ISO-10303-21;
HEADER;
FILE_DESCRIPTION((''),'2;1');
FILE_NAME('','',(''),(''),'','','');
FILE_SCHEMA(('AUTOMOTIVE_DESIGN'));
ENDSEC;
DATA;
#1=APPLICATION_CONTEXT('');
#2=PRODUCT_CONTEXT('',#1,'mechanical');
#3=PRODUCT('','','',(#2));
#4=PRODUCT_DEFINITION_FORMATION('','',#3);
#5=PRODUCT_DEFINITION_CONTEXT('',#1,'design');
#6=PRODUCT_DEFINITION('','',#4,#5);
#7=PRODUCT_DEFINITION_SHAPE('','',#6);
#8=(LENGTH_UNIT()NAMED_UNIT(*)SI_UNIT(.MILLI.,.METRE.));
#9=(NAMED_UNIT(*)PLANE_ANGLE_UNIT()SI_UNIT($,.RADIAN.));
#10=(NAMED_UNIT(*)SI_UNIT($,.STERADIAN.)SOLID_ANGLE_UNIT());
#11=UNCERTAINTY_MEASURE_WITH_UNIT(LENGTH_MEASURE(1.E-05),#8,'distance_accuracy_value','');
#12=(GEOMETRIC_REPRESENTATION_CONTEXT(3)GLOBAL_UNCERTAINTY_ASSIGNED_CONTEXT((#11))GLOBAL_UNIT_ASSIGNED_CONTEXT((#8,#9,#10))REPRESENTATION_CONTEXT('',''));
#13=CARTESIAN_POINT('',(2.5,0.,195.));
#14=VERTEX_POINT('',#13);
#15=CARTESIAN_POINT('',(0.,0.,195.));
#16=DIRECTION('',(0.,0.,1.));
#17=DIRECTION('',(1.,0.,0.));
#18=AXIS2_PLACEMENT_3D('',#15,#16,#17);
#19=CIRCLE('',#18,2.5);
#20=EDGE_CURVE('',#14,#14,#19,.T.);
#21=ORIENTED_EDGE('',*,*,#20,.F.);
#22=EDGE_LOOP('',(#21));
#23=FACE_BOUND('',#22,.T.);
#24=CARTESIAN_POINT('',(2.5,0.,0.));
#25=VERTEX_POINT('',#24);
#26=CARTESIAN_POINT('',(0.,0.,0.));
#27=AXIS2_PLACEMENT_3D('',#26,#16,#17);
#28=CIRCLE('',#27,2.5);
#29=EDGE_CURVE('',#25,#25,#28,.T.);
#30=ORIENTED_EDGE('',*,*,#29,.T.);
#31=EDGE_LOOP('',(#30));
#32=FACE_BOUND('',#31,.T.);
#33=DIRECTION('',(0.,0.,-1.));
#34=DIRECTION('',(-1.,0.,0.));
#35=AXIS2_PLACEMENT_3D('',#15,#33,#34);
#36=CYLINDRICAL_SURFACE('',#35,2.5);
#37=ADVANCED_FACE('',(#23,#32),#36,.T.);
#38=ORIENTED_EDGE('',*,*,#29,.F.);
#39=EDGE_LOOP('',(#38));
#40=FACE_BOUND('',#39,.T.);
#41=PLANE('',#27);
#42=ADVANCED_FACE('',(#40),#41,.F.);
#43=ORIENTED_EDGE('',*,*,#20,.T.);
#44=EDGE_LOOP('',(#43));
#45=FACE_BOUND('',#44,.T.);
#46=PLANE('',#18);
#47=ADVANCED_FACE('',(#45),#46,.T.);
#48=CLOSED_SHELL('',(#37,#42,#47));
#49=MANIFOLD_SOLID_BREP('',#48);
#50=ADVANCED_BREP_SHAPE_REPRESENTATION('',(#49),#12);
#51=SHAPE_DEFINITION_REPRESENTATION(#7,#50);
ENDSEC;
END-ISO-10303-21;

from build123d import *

# Parameters (mm, degrees)
ESQUISSE1_R        = 2.5
BOSS_EXTRU_1_DEPTH = 195


with BuildPart() as part:
    # Esquisse1 → Boss.-Extru.1 (new body)
    with BuildSketch(Plane.XY):
        Circle(ESQUISSE1_R)
    extrude(amount=BOSS_EXTRU_1_DEPTH)


solid = part.part
